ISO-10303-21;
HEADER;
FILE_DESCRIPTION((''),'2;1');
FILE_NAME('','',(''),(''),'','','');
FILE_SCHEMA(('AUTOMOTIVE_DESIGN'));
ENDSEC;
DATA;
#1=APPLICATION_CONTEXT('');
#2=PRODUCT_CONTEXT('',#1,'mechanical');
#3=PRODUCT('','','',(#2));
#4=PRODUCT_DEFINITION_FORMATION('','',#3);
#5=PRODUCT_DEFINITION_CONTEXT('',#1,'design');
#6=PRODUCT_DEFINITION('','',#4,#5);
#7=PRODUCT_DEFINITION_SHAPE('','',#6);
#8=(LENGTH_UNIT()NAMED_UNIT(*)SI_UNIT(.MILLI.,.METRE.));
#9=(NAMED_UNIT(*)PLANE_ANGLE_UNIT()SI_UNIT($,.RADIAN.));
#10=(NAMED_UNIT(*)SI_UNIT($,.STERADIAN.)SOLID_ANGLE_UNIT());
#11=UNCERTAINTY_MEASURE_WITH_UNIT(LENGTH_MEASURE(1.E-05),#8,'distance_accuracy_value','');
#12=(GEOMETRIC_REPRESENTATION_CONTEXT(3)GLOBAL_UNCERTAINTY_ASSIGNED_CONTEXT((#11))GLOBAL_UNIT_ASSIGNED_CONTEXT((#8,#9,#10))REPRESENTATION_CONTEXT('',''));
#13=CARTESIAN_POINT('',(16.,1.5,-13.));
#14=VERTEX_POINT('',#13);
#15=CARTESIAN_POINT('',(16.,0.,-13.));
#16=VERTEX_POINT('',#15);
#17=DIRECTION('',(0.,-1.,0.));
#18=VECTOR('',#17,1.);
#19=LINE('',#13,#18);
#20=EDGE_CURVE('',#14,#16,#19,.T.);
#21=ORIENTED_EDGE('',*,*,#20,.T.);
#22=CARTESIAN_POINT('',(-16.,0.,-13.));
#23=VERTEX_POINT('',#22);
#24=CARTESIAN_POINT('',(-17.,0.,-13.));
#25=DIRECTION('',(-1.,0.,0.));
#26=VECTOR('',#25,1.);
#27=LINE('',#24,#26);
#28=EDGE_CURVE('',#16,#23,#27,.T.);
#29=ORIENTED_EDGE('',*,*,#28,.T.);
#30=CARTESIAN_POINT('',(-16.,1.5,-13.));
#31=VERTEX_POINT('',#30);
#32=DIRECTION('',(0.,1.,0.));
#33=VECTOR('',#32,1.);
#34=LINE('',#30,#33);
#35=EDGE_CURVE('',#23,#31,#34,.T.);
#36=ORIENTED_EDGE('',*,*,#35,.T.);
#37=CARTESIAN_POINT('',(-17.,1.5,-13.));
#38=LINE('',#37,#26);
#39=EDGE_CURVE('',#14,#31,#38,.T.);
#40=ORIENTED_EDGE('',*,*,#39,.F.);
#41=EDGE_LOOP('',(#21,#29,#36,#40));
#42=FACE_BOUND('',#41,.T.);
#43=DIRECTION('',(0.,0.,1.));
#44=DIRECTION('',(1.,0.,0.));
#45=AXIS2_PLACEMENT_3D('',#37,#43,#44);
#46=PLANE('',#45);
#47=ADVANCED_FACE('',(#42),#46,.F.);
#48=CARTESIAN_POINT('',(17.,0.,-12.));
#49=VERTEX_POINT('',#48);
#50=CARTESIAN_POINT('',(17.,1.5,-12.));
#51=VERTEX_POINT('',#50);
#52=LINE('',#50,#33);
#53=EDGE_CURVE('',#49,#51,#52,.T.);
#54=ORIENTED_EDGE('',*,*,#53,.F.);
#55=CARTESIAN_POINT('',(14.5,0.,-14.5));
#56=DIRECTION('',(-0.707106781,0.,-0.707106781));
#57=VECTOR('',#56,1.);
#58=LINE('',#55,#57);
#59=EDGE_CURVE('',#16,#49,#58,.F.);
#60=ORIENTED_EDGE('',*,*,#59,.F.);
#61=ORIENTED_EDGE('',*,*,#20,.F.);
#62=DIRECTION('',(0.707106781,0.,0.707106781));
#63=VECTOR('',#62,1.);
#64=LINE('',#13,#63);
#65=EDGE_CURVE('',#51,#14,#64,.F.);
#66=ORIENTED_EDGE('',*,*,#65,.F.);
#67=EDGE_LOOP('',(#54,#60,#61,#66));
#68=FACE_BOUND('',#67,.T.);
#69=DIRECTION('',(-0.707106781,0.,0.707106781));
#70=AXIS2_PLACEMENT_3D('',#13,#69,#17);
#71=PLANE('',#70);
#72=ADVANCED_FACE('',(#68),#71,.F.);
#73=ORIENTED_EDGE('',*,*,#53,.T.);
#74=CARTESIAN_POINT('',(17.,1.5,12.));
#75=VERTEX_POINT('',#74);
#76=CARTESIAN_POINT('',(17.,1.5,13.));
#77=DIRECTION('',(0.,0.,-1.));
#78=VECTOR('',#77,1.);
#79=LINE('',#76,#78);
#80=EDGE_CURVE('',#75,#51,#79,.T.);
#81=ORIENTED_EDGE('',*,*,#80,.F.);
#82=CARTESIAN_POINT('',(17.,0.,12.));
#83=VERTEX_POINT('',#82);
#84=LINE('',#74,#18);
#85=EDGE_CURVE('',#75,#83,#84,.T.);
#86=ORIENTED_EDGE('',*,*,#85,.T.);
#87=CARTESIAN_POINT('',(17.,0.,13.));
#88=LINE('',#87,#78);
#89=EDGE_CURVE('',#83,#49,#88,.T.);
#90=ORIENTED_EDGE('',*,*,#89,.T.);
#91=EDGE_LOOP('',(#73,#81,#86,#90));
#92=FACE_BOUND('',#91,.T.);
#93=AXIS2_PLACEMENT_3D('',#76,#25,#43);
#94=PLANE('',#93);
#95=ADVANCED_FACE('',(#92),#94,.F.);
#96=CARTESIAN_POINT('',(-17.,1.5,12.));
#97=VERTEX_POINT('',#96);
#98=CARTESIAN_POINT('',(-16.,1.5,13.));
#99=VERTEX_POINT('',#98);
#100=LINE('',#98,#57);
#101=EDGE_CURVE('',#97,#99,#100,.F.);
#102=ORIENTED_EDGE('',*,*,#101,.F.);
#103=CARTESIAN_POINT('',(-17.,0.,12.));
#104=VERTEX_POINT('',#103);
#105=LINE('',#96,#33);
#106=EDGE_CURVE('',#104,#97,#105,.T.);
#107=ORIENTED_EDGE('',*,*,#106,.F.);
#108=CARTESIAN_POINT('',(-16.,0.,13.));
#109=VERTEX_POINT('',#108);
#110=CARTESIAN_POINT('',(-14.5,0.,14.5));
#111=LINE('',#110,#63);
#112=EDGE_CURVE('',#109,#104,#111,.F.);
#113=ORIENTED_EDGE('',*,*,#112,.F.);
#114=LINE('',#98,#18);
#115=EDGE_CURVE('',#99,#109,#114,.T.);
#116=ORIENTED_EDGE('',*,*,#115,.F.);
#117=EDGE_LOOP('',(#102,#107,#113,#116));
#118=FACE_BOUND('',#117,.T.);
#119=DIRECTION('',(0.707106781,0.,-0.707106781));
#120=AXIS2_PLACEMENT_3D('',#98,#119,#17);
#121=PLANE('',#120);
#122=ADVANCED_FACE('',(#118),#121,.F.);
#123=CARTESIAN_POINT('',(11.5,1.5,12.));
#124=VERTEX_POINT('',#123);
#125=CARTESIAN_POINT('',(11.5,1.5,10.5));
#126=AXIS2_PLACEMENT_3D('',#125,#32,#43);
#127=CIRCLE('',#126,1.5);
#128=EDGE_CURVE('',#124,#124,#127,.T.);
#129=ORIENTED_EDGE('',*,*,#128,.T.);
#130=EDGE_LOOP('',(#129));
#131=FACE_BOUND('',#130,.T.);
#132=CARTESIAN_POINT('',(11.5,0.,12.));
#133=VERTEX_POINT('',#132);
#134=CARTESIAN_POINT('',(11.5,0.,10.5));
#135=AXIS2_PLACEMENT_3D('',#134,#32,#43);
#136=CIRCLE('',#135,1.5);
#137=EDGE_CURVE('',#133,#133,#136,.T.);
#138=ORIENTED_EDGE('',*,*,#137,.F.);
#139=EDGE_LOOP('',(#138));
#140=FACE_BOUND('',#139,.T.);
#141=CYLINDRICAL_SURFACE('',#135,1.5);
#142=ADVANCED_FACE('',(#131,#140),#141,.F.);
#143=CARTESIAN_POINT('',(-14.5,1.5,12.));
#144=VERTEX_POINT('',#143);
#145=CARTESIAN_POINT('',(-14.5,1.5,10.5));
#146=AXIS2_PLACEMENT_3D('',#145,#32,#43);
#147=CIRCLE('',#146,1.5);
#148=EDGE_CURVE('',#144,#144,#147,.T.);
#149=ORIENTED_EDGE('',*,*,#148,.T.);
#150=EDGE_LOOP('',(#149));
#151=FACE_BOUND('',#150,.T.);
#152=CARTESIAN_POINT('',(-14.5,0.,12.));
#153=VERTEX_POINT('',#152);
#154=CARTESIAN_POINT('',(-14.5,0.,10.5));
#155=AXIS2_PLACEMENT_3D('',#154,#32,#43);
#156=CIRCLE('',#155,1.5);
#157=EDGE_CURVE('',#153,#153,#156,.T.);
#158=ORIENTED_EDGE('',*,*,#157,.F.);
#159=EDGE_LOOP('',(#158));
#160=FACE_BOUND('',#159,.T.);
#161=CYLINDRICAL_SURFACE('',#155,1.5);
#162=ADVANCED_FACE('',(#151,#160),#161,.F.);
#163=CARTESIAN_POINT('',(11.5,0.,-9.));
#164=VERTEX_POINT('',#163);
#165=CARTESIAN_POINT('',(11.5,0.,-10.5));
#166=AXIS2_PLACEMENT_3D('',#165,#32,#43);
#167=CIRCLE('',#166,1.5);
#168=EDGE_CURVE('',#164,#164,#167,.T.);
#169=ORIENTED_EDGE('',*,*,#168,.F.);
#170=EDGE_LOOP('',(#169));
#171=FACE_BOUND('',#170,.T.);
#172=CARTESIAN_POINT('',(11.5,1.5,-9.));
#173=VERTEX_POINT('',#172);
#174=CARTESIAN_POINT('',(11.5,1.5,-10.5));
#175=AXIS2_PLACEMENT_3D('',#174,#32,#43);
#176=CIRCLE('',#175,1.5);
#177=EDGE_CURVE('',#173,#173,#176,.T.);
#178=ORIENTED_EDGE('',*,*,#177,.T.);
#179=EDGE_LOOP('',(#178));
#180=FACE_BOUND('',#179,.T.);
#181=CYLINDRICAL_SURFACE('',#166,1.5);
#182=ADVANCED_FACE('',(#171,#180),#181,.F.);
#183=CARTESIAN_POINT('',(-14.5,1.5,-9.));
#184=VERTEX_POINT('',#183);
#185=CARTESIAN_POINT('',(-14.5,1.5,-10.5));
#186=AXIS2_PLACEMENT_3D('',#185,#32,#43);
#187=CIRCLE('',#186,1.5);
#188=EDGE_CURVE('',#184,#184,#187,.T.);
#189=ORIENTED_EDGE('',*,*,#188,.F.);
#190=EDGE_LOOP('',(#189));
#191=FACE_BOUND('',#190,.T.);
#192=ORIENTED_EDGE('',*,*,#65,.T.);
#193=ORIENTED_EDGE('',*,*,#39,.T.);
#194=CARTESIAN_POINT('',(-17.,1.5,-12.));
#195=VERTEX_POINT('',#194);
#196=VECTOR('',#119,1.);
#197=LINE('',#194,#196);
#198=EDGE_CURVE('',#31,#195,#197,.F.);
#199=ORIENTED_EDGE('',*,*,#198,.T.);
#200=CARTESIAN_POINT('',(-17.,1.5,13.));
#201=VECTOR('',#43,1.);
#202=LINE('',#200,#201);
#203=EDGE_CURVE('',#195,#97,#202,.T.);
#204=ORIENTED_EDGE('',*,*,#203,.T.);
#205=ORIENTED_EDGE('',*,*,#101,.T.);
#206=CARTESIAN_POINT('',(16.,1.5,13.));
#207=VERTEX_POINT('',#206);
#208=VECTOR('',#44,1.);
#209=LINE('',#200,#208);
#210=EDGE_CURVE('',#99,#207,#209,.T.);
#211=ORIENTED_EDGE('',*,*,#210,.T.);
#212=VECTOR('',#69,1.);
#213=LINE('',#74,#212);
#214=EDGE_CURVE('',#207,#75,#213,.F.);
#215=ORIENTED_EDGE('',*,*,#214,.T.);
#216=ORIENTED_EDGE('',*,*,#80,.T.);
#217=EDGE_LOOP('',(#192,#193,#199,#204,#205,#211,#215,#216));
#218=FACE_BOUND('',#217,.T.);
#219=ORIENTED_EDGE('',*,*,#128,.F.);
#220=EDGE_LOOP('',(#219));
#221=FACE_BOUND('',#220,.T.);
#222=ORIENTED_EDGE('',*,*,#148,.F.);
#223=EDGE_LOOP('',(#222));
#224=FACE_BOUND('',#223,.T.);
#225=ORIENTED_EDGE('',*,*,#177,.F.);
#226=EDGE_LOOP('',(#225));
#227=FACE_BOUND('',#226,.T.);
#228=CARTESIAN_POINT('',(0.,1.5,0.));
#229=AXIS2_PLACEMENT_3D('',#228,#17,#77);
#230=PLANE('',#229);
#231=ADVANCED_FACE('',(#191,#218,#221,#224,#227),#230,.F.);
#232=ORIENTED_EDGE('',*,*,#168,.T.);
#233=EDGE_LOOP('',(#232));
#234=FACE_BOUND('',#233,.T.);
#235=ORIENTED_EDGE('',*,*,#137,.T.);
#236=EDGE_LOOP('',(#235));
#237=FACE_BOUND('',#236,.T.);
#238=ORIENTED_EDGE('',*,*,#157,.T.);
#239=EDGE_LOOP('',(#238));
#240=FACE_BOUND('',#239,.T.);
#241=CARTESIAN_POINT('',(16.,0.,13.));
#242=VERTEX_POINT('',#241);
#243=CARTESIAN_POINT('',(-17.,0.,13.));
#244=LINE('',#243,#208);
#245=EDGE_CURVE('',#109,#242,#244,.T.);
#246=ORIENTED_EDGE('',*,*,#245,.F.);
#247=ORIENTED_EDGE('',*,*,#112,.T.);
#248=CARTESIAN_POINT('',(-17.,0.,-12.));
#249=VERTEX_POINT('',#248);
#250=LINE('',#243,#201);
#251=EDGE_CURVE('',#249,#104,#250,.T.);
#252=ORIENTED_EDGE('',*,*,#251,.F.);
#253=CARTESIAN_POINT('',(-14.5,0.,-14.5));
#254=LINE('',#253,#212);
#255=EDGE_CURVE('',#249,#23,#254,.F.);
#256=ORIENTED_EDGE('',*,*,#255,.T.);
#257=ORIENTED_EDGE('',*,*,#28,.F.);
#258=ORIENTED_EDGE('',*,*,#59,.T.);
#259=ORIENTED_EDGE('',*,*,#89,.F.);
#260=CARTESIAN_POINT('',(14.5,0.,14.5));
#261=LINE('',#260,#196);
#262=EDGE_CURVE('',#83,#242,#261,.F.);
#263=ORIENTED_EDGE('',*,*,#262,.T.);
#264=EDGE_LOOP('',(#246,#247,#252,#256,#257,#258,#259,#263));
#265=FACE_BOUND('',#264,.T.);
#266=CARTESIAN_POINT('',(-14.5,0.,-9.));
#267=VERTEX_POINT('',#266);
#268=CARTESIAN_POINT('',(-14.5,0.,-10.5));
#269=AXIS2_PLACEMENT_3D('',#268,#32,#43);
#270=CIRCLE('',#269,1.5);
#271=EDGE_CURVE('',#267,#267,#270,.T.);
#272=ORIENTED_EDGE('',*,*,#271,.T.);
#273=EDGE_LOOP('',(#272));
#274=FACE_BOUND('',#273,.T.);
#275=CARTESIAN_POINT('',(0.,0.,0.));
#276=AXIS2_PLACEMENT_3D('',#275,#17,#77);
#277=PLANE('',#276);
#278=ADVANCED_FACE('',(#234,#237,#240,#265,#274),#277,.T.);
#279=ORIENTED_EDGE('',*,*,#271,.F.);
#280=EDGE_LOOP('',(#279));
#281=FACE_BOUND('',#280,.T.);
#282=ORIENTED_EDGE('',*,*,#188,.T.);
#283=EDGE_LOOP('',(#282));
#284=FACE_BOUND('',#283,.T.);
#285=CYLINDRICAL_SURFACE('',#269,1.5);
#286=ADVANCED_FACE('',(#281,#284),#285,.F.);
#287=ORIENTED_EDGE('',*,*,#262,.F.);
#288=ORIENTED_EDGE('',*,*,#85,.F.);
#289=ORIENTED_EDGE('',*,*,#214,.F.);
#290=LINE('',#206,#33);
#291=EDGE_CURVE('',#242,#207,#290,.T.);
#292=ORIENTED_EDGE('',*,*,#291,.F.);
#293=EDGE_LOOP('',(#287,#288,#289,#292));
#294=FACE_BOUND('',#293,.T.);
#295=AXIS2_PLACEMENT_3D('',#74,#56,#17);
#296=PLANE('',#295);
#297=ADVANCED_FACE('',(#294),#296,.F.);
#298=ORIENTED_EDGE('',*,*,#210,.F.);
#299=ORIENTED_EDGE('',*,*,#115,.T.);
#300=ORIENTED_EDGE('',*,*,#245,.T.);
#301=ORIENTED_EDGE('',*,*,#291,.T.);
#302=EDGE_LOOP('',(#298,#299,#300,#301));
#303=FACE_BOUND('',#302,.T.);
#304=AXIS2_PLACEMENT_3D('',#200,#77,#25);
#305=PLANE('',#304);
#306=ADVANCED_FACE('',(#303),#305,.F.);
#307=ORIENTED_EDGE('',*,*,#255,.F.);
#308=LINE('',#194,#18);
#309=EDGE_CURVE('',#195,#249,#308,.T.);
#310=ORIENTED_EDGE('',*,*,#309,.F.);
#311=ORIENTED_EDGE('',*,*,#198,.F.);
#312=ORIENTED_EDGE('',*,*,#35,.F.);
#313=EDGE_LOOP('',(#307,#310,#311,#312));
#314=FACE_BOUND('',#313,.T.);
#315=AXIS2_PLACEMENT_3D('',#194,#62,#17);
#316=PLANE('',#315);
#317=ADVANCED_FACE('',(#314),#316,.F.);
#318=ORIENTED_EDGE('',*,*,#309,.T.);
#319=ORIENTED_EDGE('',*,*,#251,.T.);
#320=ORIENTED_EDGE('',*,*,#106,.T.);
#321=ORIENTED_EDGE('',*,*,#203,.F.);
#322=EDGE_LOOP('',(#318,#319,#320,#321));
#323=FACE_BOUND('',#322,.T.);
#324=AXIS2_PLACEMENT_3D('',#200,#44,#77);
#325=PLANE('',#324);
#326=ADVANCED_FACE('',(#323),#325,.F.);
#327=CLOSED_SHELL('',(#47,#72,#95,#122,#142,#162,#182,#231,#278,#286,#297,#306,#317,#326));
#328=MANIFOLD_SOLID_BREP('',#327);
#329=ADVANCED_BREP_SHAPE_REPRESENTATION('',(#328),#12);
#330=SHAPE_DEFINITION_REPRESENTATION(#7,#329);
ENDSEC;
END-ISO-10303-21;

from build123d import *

# Parameters (mm, degrees)
SKETCH1_W           = 34
SKETCH1_H           = 26
BOSS_EXTRUDE1_DEPTH = 1.5
SKETCH2_R           = 1.5
CUT_EXTRUDE1_DEPTH  = 1.5
CHAMFER1_SIZE       = 1


with BuildPart() as part:
    # Sketch1 → Boss-Extrude1 (new body)
    with BuildSketch(Plane(origin=(0, 0, 0), x_dir=(1, 0, 0), z_dir=(0, 1, 0))):
        Rectangle(SKETCH1_W, SKETCH1_H)
    extrude(amount=BOSS_EXTRUDE1_DEPTH)

    # Sketch2 → Cut-Extrude1 (cut)
    with BuildSketch(Plane(origin=(0, 1.5, 0), x_dir=(1, 0, 0), z_dir=(0, 1, 0))):
        with Locations(Location((-14.5, 10.5, 0), (0, 0, 270))):
            Circle(SKETCH2_R)
        with Locations(Location((11.5, 10.5, 0), (0, 0, 270))):
            Circle(SKETCH2_R)
        with Locations(Location((11.5, -10.5, 0), (0, 0, 270))):
            Circle(SKETCH2_R)
        with Locations(Location((-14.5, -10.5, 0), (0, 0, 270))):
            Circle(SKETCH2_R)
    extrude(amount=-CUT_EXTRUDE1_DEPTH, mode=Mode.SUBTRACT)

    # Chamfer1
    chamfer1_edges = [part.edges().sort_by_distance(p)[0] for p in [
        (17, 0.75, 13),
        (-17, 0.75, 13),
        (-17, 0.75, -13),
        (17, 0.75, -13),
    ]]
    chamfer(chamfer1_edges, length=CHAMFER1_SIZE)


solid = part.part
